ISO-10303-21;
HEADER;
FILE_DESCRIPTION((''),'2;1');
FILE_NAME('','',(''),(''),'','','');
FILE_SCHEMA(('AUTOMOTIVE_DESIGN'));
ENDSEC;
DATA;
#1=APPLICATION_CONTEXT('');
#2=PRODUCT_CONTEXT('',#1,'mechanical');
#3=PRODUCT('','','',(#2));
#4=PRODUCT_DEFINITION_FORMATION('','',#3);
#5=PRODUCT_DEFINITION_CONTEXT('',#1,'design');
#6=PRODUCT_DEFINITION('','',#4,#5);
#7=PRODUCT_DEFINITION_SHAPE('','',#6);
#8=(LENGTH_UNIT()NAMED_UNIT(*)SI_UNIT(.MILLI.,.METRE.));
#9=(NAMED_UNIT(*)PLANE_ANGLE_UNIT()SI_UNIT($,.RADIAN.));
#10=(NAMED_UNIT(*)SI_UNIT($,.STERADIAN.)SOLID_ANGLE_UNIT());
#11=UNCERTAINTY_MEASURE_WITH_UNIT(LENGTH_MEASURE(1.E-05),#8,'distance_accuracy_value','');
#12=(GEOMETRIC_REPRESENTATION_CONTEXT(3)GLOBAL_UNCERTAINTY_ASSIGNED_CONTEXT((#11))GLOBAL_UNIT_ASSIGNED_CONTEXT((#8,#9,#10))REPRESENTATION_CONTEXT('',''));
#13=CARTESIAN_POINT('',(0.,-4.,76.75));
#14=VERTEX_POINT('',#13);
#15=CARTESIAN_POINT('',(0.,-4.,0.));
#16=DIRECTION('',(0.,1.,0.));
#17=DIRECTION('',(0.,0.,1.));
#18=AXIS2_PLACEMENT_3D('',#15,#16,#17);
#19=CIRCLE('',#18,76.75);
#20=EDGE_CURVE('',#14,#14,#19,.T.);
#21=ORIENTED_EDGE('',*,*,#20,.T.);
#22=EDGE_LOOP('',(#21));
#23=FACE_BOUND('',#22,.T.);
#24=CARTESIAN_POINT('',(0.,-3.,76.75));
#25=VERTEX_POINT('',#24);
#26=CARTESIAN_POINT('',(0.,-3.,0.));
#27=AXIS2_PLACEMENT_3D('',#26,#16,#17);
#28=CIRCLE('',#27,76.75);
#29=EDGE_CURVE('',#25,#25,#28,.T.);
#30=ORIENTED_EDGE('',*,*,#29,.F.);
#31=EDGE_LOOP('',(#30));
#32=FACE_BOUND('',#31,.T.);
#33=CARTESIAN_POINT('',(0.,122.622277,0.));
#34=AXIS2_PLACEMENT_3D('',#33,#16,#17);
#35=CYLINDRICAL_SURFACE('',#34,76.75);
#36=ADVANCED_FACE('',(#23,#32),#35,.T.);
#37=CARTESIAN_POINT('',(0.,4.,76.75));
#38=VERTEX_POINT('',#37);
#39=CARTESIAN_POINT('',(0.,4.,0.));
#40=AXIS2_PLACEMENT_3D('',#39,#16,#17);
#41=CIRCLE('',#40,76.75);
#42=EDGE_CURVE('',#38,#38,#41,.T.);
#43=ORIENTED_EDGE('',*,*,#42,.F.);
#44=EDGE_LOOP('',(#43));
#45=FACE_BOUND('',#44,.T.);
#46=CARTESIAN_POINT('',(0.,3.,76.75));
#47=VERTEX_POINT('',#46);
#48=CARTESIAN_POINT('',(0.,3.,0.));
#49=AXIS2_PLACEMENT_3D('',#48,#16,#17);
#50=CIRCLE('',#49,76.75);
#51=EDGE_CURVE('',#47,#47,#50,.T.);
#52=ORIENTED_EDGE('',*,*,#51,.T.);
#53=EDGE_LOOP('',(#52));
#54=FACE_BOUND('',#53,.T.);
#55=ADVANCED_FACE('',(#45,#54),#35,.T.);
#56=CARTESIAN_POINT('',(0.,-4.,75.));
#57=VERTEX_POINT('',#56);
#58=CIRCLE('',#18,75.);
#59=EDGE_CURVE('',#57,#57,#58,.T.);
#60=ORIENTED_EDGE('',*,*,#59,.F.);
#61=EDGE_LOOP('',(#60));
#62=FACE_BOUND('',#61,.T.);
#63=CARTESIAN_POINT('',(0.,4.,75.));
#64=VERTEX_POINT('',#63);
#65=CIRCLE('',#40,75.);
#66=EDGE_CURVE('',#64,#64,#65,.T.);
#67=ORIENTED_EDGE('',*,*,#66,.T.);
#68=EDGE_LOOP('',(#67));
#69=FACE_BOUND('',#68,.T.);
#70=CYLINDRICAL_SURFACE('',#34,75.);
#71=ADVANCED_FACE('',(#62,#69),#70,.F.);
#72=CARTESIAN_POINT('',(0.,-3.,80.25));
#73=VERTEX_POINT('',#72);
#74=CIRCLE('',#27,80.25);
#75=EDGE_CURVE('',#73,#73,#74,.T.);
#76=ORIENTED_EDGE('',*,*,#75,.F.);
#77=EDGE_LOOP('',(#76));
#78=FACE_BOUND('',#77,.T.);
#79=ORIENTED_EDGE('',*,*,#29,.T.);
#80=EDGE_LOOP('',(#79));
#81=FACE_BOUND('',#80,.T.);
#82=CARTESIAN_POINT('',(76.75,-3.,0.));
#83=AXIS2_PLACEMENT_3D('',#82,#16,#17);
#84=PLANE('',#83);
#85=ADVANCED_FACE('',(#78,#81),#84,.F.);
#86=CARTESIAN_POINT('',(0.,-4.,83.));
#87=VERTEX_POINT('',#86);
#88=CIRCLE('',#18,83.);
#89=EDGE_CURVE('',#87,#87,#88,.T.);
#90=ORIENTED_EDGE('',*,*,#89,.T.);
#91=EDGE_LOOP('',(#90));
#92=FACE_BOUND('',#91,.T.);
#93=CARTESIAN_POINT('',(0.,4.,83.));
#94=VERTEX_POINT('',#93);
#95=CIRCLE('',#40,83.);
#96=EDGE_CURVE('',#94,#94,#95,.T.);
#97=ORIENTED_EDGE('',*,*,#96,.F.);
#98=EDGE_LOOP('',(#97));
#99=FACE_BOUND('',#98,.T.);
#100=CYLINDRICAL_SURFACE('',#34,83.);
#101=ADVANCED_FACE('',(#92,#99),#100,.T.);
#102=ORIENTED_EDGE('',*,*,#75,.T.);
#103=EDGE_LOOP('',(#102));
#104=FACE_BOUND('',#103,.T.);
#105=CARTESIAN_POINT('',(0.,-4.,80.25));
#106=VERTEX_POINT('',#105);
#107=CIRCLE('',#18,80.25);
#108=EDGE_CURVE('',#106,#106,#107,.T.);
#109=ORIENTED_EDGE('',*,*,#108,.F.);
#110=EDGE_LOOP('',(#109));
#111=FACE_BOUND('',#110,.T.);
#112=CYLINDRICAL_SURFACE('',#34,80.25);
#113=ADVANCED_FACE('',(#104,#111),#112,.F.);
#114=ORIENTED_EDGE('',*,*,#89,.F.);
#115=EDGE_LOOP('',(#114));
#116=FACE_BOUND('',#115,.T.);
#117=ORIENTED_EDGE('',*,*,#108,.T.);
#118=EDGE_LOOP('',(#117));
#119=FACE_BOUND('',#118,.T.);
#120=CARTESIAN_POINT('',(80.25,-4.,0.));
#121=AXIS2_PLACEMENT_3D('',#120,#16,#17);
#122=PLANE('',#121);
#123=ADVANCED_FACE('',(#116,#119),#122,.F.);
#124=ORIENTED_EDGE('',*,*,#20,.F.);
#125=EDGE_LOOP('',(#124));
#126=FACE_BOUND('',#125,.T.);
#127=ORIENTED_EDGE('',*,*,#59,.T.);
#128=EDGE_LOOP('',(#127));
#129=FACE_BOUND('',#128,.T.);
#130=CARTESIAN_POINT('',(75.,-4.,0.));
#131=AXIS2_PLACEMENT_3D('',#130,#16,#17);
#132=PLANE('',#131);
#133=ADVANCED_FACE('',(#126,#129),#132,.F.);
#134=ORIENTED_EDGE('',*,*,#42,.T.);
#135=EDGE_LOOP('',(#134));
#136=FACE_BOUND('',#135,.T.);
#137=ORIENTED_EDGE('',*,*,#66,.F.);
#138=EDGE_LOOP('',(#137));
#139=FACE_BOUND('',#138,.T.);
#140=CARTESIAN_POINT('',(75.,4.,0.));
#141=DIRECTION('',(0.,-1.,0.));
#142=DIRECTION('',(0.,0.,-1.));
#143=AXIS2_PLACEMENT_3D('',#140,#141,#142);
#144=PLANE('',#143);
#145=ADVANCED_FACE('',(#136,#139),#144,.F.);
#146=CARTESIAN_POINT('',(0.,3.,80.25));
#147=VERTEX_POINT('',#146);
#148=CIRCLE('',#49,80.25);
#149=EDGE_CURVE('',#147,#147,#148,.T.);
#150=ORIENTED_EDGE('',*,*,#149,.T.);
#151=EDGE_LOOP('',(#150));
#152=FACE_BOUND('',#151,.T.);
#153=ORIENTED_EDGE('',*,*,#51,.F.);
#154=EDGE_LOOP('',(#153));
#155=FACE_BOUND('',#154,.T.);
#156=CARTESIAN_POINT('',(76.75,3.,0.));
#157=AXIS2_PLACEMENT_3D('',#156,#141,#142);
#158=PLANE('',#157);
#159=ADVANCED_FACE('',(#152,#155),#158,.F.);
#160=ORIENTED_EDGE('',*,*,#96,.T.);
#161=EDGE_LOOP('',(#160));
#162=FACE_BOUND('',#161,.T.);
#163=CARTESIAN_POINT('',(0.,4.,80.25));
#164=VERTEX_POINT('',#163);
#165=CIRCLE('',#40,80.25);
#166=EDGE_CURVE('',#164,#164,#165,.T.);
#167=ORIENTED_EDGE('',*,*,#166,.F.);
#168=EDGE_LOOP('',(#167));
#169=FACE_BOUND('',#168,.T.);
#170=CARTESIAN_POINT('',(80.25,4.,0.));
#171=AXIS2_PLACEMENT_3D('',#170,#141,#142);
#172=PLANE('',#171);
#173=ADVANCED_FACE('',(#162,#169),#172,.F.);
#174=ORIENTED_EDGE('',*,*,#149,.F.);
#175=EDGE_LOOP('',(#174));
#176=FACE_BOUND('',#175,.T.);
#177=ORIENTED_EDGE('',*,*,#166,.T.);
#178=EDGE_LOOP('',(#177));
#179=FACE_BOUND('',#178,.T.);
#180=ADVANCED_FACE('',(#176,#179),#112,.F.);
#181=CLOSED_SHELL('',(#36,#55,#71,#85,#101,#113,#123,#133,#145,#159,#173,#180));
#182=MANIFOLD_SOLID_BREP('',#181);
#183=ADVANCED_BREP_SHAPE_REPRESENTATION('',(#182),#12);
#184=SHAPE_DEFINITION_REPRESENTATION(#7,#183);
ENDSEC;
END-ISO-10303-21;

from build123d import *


with BuildPart() as part:
    # 草图1 → 旋转1 (revolve)
    with BuildSketch(Plane.XY, mode=Mode.PRIVATE) as revolve_1_sk:
        Polygon((75, 4), (76.75, 4), (76.75, 3), (80.25, 3), (80.25, 4), (83, 4), (83, -4), (80.25, -4), (80.25, -3), (76.75, -3), (76.75, -4), (75, -4), align=None)
    revolve(revolve_1_sk.sketch.rotate(Axis((0, 122.622277443, 0), (0, -1, 0)), 90), axis=Axis((0, 122.622277443, 0), (0, -1, 0)))


solid = part.part
